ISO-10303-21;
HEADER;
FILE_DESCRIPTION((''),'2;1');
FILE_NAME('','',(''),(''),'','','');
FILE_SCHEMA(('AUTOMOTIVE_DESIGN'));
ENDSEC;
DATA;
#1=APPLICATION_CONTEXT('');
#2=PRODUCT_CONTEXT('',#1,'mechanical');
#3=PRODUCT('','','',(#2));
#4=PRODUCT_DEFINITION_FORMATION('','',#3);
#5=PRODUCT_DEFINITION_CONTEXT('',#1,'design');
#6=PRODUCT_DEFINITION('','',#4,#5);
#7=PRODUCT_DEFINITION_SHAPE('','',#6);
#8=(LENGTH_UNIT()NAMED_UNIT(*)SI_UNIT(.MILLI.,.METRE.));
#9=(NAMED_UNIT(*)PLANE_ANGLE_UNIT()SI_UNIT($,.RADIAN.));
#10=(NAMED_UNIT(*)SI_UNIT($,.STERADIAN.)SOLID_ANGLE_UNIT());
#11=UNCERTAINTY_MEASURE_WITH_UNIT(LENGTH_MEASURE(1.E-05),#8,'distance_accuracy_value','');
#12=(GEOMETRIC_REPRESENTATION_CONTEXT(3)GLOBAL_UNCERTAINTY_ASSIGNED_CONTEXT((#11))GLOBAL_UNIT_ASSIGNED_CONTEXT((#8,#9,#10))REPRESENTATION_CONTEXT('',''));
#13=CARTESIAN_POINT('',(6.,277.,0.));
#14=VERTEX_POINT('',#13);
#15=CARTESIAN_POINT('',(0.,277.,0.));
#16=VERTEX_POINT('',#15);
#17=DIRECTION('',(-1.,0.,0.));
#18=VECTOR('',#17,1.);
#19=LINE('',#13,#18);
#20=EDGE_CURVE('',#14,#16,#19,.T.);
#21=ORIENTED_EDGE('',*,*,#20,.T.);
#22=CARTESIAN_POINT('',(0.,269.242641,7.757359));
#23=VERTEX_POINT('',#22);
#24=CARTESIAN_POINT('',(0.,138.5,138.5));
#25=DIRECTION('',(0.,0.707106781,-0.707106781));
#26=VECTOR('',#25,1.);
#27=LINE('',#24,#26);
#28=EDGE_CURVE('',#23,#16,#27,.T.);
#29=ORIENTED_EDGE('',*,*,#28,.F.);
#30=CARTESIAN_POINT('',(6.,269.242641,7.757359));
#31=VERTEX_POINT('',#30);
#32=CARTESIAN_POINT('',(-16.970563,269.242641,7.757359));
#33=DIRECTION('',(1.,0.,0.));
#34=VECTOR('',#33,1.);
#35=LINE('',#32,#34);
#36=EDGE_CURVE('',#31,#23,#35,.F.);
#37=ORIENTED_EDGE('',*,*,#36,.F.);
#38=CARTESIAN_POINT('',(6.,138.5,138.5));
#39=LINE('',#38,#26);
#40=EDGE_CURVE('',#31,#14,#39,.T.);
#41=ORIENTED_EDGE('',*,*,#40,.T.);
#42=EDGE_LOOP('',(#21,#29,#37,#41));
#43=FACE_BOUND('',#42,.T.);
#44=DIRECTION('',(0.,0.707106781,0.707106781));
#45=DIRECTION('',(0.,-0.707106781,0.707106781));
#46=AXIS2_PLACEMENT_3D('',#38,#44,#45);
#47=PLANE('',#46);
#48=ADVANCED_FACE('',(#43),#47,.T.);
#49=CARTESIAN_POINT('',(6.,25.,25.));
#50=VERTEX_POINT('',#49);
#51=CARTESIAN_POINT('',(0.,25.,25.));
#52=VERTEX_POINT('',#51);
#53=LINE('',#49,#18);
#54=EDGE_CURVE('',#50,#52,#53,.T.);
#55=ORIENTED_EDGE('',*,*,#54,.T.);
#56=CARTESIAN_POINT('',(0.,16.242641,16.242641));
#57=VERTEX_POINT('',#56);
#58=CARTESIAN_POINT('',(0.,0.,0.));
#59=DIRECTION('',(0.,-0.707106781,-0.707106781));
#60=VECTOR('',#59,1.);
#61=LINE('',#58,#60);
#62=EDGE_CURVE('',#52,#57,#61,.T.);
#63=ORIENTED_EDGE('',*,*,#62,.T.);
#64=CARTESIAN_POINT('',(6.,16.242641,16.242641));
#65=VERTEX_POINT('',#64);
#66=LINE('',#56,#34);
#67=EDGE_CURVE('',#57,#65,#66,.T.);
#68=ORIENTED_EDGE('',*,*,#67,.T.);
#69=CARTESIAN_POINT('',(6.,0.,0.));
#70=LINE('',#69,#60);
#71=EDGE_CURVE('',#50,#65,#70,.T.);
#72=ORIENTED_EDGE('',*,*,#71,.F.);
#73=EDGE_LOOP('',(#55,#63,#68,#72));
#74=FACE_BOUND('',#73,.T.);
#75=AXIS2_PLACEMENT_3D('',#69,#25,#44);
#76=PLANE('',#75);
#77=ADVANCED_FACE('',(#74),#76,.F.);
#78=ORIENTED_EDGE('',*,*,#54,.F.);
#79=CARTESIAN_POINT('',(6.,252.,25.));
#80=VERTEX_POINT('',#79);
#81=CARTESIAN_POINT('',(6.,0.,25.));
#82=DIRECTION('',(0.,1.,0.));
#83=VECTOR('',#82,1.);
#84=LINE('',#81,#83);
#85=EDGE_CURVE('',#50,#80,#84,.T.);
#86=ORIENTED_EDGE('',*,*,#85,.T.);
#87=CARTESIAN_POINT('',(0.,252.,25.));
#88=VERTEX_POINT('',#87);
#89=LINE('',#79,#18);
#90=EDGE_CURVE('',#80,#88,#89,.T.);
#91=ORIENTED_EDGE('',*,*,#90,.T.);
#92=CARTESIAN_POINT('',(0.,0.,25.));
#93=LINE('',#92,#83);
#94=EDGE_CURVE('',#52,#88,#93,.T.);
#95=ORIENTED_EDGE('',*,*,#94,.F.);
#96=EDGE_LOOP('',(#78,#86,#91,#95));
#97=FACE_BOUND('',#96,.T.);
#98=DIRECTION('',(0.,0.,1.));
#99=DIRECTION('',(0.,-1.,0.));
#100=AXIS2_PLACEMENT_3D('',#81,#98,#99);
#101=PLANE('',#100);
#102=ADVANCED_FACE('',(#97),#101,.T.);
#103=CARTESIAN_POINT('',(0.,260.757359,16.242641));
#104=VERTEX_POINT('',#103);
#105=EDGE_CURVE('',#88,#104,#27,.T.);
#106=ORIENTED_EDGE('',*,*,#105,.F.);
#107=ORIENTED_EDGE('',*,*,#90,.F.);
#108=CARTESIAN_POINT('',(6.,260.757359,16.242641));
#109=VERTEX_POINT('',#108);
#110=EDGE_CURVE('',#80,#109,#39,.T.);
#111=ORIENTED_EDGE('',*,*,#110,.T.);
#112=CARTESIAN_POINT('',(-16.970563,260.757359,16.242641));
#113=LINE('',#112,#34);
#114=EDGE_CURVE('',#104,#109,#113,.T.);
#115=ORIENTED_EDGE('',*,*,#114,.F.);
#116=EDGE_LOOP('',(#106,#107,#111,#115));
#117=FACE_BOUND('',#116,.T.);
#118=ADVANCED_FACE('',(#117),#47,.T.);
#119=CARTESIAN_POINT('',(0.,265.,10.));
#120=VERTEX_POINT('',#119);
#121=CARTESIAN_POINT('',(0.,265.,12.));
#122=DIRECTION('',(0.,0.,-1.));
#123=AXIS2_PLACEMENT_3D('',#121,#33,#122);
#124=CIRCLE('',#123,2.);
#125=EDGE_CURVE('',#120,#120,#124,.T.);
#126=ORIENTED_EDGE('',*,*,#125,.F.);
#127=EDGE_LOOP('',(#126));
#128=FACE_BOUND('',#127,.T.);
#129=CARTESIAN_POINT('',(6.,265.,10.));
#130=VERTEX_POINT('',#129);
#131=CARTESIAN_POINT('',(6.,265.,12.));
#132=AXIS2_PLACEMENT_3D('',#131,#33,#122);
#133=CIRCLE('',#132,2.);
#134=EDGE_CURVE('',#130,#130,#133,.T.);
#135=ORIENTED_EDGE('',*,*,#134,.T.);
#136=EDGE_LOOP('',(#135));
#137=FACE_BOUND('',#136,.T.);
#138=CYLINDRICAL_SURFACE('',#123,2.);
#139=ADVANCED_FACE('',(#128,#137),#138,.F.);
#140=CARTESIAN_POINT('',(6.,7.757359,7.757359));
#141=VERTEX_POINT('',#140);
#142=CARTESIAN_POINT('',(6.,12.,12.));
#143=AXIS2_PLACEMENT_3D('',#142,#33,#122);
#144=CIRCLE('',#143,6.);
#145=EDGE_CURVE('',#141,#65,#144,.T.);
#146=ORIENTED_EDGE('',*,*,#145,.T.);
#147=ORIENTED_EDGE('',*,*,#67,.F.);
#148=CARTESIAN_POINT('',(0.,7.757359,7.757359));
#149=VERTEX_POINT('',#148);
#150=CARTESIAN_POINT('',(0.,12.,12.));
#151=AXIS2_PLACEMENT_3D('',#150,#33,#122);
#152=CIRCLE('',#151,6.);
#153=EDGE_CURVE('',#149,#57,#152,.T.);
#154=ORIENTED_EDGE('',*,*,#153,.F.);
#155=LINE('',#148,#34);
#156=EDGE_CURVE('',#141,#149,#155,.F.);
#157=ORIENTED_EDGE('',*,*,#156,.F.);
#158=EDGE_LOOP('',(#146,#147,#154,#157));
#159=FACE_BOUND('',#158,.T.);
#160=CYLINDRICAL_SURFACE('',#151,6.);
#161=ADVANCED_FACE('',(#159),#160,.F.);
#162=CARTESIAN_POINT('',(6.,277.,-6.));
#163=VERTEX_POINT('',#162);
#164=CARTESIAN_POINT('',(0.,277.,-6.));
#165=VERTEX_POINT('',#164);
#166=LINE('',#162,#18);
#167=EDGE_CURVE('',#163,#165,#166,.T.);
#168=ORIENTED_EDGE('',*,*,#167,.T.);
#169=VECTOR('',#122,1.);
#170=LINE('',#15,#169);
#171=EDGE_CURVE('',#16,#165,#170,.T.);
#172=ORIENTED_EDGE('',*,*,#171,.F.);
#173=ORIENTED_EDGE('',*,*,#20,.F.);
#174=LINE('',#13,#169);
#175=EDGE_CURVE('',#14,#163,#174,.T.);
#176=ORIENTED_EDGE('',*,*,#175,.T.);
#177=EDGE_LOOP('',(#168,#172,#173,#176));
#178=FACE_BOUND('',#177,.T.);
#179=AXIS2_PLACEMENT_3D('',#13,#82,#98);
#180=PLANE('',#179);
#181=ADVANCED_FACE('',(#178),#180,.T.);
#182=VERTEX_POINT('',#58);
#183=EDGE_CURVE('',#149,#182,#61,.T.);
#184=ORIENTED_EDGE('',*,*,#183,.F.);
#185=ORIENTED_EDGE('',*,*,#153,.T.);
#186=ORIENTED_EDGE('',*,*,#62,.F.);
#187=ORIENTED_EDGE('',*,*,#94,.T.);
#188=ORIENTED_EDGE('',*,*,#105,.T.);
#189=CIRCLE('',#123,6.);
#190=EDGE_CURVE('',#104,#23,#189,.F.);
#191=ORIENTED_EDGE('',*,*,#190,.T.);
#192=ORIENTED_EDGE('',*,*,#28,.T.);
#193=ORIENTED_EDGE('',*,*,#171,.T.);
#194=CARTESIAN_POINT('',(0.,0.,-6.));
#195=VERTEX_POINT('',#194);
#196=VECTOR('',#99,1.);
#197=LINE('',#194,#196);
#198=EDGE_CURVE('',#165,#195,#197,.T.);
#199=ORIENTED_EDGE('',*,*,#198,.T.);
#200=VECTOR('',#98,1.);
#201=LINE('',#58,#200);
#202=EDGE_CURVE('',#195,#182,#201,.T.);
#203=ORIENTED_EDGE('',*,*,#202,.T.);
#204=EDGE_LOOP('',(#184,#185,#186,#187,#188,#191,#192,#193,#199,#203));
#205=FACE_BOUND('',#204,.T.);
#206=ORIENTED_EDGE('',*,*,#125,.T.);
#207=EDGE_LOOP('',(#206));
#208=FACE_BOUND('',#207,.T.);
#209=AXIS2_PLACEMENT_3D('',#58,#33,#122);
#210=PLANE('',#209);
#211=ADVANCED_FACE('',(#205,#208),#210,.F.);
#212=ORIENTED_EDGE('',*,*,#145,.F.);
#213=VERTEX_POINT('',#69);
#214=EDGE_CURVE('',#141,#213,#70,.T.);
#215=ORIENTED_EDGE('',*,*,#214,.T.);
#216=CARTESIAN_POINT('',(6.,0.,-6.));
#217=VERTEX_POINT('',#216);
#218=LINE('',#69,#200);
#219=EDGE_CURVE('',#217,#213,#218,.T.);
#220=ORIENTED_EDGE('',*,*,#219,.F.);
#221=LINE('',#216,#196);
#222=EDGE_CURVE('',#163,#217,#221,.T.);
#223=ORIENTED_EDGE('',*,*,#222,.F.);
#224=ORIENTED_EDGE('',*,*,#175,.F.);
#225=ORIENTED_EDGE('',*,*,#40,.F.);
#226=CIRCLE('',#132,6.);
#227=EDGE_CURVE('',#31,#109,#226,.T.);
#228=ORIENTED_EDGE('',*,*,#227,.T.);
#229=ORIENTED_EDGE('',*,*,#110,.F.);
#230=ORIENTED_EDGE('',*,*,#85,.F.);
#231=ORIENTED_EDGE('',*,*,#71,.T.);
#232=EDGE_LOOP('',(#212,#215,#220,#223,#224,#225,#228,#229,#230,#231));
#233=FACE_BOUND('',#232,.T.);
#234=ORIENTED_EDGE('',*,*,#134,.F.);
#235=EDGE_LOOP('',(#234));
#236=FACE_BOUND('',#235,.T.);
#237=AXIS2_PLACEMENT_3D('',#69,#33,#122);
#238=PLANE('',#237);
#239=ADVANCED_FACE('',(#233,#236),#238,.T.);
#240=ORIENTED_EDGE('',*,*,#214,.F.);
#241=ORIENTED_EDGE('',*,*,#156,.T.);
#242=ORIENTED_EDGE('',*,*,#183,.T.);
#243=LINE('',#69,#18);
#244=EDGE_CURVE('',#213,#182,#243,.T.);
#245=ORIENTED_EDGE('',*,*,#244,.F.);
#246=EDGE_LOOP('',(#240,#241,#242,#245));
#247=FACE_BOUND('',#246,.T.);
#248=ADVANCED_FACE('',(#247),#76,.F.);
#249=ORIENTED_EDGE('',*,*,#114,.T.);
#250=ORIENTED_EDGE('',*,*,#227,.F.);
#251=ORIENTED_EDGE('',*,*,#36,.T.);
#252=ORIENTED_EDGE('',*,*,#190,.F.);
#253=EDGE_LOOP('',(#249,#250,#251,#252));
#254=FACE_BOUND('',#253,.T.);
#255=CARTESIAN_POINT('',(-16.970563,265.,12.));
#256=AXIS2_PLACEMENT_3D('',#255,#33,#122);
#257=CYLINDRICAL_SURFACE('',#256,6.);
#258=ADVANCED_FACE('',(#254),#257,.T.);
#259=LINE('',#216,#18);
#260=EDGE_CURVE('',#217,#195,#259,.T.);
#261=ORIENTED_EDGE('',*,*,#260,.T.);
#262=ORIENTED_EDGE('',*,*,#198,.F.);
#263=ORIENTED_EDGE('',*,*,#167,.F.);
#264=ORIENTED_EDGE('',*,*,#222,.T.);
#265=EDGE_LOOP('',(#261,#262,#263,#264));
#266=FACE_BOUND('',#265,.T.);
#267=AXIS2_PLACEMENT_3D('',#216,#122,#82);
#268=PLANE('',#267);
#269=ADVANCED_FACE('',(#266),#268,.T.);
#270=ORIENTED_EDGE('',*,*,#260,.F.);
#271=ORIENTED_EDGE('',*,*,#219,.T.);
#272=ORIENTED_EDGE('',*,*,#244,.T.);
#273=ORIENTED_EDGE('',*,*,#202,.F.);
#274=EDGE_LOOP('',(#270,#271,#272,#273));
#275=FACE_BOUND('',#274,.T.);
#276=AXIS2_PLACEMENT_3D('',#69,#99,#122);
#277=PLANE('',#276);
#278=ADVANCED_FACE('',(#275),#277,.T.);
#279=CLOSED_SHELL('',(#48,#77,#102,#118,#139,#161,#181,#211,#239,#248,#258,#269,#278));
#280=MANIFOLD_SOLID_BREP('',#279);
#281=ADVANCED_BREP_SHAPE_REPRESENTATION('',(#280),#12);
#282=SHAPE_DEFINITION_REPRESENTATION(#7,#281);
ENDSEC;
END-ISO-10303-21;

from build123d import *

# Parameters (mm, degrees)
BOSS_EXTRUDE1_DEPTH = 6
SKETCH4_R           = 6
BOSS_EXTRUDE2_DEPTH = 6
SKETCH3_R           = 2
SKETCH3_R_2         = 6
CUT_EXTRUDE1_DEPTH  = 279.190582155


with BuildPart() as part:
    # Sketch2 → Boss-Extrude1 (new body)
    with BuildSketch(Plane(origin=(0, 0, 0), x_dir=(0, 0, -1), z_dir=(1, 0, 0))):
        Polygon((0, 277), (6, 277), (6, 0), (0, 0), (-25, 25), (-25, 252), align=None)
    extrude(amount=BOSS_EXTRUDE1_DEPTH)

    # Sketch4 → Boss-Extrude2 (add)
    with BuildSketch(Plane(origin=(6, 0, 0), x_dir=(0, 0, -1), z_dir=(1, 0, 0))):
        with Locations((-12, 265)):
            Circle(SKETCH4_R)
    extrude(amount=-BOSS_EXTRUDE2_DEPTH)

    # Sketch3 → Cut-Extrude1 (cut, through all)
    with BuildSketch(Plane(origin=(6, 0, 0), x_dir=(0, 0, -1), z_dir=(1, 0, 0))):
        with Locations((-12, 265)):
            Circle(SKETCH3_R)
        with Locations((-12, 12)):
            Circle(SKETCH3_R_2)
    extrude(amount=-CUT_EXTRUDE1_DEPTH, mode=Mode.SUBTRACT)


solid = part.part
